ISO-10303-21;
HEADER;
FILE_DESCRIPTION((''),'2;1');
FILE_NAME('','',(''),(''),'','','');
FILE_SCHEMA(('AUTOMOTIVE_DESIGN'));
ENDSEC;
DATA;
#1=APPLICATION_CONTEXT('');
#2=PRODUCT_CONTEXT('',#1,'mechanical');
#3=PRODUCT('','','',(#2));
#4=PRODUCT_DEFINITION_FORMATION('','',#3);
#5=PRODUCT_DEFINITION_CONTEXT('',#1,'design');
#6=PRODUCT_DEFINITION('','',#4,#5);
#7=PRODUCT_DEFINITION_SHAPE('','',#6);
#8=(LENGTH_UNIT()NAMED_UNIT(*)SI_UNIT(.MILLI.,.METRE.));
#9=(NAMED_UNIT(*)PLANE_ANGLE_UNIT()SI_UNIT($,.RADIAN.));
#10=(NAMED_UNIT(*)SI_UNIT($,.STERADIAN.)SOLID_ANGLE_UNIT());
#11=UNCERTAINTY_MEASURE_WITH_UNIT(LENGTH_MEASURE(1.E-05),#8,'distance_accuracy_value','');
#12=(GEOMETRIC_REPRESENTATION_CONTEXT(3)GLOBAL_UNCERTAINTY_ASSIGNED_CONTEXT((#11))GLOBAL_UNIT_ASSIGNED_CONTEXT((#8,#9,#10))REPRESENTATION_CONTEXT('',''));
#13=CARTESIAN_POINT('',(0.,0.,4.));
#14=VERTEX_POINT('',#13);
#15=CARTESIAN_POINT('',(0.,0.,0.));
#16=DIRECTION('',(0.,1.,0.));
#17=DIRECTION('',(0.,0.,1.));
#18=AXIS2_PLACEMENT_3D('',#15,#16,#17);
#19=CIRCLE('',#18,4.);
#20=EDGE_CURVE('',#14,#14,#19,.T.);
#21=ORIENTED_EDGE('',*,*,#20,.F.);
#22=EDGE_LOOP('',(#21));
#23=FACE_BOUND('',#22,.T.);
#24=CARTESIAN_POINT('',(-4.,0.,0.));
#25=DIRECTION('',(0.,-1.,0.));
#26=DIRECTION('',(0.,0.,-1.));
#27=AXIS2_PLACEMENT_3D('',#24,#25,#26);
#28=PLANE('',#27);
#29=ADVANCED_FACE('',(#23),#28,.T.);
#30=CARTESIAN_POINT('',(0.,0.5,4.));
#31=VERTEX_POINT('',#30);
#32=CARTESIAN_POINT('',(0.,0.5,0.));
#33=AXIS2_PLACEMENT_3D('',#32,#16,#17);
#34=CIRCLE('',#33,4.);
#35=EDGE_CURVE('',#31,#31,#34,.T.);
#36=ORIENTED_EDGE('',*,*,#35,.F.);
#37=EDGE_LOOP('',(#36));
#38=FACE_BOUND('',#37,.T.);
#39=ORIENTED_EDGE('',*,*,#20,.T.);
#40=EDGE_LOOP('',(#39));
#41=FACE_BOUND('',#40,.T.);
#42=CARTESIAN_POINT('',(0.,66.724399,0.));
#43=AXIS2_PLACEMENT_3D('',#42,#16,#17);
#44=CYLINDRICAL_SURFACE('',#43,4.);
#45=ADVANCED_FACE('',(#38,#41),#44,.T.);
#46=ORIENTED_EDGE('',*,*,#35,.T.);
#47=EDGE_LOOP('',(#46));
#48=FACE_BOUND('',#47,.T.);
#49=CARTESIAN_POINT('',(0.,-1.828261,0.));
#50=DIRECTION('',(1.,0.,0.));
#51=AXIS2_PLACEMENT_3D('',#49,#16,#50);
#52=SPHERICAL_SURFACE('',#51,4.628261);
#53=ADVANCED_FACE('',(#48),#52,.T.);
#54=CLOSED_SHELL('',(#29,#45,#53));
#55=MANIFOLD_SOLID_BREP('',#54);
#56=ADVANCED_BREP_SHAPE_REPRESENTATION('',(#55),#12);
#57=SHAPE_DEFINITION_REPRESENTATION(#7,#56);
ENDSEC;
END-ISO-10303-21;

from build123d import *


with BuildPart() as part:
    # Skizze1 → Rotation1 (revolve)
    with BuildSketch(Plane.XY, mode=Mode.PRIVATE) as rotation1_sk:
        with BuildLine():
            Line((-4, 0), (0, 0))
            Line((0, 0), (0, 2.8))
            ThreePointArc((0, 2.8), (-2.307054399, 2.18400765), (-4, 0.5))
            Line((-4, 0.5), (-4, 0))
        make_face()
    revolve(rotation1_sk.sketch.rotate(Axis((0, 66.724398868, 0), (0, -1, 0)), 270), axis=Axis((0, 66.724398868, 0), (0, -1, 0)))


solid = part.part
